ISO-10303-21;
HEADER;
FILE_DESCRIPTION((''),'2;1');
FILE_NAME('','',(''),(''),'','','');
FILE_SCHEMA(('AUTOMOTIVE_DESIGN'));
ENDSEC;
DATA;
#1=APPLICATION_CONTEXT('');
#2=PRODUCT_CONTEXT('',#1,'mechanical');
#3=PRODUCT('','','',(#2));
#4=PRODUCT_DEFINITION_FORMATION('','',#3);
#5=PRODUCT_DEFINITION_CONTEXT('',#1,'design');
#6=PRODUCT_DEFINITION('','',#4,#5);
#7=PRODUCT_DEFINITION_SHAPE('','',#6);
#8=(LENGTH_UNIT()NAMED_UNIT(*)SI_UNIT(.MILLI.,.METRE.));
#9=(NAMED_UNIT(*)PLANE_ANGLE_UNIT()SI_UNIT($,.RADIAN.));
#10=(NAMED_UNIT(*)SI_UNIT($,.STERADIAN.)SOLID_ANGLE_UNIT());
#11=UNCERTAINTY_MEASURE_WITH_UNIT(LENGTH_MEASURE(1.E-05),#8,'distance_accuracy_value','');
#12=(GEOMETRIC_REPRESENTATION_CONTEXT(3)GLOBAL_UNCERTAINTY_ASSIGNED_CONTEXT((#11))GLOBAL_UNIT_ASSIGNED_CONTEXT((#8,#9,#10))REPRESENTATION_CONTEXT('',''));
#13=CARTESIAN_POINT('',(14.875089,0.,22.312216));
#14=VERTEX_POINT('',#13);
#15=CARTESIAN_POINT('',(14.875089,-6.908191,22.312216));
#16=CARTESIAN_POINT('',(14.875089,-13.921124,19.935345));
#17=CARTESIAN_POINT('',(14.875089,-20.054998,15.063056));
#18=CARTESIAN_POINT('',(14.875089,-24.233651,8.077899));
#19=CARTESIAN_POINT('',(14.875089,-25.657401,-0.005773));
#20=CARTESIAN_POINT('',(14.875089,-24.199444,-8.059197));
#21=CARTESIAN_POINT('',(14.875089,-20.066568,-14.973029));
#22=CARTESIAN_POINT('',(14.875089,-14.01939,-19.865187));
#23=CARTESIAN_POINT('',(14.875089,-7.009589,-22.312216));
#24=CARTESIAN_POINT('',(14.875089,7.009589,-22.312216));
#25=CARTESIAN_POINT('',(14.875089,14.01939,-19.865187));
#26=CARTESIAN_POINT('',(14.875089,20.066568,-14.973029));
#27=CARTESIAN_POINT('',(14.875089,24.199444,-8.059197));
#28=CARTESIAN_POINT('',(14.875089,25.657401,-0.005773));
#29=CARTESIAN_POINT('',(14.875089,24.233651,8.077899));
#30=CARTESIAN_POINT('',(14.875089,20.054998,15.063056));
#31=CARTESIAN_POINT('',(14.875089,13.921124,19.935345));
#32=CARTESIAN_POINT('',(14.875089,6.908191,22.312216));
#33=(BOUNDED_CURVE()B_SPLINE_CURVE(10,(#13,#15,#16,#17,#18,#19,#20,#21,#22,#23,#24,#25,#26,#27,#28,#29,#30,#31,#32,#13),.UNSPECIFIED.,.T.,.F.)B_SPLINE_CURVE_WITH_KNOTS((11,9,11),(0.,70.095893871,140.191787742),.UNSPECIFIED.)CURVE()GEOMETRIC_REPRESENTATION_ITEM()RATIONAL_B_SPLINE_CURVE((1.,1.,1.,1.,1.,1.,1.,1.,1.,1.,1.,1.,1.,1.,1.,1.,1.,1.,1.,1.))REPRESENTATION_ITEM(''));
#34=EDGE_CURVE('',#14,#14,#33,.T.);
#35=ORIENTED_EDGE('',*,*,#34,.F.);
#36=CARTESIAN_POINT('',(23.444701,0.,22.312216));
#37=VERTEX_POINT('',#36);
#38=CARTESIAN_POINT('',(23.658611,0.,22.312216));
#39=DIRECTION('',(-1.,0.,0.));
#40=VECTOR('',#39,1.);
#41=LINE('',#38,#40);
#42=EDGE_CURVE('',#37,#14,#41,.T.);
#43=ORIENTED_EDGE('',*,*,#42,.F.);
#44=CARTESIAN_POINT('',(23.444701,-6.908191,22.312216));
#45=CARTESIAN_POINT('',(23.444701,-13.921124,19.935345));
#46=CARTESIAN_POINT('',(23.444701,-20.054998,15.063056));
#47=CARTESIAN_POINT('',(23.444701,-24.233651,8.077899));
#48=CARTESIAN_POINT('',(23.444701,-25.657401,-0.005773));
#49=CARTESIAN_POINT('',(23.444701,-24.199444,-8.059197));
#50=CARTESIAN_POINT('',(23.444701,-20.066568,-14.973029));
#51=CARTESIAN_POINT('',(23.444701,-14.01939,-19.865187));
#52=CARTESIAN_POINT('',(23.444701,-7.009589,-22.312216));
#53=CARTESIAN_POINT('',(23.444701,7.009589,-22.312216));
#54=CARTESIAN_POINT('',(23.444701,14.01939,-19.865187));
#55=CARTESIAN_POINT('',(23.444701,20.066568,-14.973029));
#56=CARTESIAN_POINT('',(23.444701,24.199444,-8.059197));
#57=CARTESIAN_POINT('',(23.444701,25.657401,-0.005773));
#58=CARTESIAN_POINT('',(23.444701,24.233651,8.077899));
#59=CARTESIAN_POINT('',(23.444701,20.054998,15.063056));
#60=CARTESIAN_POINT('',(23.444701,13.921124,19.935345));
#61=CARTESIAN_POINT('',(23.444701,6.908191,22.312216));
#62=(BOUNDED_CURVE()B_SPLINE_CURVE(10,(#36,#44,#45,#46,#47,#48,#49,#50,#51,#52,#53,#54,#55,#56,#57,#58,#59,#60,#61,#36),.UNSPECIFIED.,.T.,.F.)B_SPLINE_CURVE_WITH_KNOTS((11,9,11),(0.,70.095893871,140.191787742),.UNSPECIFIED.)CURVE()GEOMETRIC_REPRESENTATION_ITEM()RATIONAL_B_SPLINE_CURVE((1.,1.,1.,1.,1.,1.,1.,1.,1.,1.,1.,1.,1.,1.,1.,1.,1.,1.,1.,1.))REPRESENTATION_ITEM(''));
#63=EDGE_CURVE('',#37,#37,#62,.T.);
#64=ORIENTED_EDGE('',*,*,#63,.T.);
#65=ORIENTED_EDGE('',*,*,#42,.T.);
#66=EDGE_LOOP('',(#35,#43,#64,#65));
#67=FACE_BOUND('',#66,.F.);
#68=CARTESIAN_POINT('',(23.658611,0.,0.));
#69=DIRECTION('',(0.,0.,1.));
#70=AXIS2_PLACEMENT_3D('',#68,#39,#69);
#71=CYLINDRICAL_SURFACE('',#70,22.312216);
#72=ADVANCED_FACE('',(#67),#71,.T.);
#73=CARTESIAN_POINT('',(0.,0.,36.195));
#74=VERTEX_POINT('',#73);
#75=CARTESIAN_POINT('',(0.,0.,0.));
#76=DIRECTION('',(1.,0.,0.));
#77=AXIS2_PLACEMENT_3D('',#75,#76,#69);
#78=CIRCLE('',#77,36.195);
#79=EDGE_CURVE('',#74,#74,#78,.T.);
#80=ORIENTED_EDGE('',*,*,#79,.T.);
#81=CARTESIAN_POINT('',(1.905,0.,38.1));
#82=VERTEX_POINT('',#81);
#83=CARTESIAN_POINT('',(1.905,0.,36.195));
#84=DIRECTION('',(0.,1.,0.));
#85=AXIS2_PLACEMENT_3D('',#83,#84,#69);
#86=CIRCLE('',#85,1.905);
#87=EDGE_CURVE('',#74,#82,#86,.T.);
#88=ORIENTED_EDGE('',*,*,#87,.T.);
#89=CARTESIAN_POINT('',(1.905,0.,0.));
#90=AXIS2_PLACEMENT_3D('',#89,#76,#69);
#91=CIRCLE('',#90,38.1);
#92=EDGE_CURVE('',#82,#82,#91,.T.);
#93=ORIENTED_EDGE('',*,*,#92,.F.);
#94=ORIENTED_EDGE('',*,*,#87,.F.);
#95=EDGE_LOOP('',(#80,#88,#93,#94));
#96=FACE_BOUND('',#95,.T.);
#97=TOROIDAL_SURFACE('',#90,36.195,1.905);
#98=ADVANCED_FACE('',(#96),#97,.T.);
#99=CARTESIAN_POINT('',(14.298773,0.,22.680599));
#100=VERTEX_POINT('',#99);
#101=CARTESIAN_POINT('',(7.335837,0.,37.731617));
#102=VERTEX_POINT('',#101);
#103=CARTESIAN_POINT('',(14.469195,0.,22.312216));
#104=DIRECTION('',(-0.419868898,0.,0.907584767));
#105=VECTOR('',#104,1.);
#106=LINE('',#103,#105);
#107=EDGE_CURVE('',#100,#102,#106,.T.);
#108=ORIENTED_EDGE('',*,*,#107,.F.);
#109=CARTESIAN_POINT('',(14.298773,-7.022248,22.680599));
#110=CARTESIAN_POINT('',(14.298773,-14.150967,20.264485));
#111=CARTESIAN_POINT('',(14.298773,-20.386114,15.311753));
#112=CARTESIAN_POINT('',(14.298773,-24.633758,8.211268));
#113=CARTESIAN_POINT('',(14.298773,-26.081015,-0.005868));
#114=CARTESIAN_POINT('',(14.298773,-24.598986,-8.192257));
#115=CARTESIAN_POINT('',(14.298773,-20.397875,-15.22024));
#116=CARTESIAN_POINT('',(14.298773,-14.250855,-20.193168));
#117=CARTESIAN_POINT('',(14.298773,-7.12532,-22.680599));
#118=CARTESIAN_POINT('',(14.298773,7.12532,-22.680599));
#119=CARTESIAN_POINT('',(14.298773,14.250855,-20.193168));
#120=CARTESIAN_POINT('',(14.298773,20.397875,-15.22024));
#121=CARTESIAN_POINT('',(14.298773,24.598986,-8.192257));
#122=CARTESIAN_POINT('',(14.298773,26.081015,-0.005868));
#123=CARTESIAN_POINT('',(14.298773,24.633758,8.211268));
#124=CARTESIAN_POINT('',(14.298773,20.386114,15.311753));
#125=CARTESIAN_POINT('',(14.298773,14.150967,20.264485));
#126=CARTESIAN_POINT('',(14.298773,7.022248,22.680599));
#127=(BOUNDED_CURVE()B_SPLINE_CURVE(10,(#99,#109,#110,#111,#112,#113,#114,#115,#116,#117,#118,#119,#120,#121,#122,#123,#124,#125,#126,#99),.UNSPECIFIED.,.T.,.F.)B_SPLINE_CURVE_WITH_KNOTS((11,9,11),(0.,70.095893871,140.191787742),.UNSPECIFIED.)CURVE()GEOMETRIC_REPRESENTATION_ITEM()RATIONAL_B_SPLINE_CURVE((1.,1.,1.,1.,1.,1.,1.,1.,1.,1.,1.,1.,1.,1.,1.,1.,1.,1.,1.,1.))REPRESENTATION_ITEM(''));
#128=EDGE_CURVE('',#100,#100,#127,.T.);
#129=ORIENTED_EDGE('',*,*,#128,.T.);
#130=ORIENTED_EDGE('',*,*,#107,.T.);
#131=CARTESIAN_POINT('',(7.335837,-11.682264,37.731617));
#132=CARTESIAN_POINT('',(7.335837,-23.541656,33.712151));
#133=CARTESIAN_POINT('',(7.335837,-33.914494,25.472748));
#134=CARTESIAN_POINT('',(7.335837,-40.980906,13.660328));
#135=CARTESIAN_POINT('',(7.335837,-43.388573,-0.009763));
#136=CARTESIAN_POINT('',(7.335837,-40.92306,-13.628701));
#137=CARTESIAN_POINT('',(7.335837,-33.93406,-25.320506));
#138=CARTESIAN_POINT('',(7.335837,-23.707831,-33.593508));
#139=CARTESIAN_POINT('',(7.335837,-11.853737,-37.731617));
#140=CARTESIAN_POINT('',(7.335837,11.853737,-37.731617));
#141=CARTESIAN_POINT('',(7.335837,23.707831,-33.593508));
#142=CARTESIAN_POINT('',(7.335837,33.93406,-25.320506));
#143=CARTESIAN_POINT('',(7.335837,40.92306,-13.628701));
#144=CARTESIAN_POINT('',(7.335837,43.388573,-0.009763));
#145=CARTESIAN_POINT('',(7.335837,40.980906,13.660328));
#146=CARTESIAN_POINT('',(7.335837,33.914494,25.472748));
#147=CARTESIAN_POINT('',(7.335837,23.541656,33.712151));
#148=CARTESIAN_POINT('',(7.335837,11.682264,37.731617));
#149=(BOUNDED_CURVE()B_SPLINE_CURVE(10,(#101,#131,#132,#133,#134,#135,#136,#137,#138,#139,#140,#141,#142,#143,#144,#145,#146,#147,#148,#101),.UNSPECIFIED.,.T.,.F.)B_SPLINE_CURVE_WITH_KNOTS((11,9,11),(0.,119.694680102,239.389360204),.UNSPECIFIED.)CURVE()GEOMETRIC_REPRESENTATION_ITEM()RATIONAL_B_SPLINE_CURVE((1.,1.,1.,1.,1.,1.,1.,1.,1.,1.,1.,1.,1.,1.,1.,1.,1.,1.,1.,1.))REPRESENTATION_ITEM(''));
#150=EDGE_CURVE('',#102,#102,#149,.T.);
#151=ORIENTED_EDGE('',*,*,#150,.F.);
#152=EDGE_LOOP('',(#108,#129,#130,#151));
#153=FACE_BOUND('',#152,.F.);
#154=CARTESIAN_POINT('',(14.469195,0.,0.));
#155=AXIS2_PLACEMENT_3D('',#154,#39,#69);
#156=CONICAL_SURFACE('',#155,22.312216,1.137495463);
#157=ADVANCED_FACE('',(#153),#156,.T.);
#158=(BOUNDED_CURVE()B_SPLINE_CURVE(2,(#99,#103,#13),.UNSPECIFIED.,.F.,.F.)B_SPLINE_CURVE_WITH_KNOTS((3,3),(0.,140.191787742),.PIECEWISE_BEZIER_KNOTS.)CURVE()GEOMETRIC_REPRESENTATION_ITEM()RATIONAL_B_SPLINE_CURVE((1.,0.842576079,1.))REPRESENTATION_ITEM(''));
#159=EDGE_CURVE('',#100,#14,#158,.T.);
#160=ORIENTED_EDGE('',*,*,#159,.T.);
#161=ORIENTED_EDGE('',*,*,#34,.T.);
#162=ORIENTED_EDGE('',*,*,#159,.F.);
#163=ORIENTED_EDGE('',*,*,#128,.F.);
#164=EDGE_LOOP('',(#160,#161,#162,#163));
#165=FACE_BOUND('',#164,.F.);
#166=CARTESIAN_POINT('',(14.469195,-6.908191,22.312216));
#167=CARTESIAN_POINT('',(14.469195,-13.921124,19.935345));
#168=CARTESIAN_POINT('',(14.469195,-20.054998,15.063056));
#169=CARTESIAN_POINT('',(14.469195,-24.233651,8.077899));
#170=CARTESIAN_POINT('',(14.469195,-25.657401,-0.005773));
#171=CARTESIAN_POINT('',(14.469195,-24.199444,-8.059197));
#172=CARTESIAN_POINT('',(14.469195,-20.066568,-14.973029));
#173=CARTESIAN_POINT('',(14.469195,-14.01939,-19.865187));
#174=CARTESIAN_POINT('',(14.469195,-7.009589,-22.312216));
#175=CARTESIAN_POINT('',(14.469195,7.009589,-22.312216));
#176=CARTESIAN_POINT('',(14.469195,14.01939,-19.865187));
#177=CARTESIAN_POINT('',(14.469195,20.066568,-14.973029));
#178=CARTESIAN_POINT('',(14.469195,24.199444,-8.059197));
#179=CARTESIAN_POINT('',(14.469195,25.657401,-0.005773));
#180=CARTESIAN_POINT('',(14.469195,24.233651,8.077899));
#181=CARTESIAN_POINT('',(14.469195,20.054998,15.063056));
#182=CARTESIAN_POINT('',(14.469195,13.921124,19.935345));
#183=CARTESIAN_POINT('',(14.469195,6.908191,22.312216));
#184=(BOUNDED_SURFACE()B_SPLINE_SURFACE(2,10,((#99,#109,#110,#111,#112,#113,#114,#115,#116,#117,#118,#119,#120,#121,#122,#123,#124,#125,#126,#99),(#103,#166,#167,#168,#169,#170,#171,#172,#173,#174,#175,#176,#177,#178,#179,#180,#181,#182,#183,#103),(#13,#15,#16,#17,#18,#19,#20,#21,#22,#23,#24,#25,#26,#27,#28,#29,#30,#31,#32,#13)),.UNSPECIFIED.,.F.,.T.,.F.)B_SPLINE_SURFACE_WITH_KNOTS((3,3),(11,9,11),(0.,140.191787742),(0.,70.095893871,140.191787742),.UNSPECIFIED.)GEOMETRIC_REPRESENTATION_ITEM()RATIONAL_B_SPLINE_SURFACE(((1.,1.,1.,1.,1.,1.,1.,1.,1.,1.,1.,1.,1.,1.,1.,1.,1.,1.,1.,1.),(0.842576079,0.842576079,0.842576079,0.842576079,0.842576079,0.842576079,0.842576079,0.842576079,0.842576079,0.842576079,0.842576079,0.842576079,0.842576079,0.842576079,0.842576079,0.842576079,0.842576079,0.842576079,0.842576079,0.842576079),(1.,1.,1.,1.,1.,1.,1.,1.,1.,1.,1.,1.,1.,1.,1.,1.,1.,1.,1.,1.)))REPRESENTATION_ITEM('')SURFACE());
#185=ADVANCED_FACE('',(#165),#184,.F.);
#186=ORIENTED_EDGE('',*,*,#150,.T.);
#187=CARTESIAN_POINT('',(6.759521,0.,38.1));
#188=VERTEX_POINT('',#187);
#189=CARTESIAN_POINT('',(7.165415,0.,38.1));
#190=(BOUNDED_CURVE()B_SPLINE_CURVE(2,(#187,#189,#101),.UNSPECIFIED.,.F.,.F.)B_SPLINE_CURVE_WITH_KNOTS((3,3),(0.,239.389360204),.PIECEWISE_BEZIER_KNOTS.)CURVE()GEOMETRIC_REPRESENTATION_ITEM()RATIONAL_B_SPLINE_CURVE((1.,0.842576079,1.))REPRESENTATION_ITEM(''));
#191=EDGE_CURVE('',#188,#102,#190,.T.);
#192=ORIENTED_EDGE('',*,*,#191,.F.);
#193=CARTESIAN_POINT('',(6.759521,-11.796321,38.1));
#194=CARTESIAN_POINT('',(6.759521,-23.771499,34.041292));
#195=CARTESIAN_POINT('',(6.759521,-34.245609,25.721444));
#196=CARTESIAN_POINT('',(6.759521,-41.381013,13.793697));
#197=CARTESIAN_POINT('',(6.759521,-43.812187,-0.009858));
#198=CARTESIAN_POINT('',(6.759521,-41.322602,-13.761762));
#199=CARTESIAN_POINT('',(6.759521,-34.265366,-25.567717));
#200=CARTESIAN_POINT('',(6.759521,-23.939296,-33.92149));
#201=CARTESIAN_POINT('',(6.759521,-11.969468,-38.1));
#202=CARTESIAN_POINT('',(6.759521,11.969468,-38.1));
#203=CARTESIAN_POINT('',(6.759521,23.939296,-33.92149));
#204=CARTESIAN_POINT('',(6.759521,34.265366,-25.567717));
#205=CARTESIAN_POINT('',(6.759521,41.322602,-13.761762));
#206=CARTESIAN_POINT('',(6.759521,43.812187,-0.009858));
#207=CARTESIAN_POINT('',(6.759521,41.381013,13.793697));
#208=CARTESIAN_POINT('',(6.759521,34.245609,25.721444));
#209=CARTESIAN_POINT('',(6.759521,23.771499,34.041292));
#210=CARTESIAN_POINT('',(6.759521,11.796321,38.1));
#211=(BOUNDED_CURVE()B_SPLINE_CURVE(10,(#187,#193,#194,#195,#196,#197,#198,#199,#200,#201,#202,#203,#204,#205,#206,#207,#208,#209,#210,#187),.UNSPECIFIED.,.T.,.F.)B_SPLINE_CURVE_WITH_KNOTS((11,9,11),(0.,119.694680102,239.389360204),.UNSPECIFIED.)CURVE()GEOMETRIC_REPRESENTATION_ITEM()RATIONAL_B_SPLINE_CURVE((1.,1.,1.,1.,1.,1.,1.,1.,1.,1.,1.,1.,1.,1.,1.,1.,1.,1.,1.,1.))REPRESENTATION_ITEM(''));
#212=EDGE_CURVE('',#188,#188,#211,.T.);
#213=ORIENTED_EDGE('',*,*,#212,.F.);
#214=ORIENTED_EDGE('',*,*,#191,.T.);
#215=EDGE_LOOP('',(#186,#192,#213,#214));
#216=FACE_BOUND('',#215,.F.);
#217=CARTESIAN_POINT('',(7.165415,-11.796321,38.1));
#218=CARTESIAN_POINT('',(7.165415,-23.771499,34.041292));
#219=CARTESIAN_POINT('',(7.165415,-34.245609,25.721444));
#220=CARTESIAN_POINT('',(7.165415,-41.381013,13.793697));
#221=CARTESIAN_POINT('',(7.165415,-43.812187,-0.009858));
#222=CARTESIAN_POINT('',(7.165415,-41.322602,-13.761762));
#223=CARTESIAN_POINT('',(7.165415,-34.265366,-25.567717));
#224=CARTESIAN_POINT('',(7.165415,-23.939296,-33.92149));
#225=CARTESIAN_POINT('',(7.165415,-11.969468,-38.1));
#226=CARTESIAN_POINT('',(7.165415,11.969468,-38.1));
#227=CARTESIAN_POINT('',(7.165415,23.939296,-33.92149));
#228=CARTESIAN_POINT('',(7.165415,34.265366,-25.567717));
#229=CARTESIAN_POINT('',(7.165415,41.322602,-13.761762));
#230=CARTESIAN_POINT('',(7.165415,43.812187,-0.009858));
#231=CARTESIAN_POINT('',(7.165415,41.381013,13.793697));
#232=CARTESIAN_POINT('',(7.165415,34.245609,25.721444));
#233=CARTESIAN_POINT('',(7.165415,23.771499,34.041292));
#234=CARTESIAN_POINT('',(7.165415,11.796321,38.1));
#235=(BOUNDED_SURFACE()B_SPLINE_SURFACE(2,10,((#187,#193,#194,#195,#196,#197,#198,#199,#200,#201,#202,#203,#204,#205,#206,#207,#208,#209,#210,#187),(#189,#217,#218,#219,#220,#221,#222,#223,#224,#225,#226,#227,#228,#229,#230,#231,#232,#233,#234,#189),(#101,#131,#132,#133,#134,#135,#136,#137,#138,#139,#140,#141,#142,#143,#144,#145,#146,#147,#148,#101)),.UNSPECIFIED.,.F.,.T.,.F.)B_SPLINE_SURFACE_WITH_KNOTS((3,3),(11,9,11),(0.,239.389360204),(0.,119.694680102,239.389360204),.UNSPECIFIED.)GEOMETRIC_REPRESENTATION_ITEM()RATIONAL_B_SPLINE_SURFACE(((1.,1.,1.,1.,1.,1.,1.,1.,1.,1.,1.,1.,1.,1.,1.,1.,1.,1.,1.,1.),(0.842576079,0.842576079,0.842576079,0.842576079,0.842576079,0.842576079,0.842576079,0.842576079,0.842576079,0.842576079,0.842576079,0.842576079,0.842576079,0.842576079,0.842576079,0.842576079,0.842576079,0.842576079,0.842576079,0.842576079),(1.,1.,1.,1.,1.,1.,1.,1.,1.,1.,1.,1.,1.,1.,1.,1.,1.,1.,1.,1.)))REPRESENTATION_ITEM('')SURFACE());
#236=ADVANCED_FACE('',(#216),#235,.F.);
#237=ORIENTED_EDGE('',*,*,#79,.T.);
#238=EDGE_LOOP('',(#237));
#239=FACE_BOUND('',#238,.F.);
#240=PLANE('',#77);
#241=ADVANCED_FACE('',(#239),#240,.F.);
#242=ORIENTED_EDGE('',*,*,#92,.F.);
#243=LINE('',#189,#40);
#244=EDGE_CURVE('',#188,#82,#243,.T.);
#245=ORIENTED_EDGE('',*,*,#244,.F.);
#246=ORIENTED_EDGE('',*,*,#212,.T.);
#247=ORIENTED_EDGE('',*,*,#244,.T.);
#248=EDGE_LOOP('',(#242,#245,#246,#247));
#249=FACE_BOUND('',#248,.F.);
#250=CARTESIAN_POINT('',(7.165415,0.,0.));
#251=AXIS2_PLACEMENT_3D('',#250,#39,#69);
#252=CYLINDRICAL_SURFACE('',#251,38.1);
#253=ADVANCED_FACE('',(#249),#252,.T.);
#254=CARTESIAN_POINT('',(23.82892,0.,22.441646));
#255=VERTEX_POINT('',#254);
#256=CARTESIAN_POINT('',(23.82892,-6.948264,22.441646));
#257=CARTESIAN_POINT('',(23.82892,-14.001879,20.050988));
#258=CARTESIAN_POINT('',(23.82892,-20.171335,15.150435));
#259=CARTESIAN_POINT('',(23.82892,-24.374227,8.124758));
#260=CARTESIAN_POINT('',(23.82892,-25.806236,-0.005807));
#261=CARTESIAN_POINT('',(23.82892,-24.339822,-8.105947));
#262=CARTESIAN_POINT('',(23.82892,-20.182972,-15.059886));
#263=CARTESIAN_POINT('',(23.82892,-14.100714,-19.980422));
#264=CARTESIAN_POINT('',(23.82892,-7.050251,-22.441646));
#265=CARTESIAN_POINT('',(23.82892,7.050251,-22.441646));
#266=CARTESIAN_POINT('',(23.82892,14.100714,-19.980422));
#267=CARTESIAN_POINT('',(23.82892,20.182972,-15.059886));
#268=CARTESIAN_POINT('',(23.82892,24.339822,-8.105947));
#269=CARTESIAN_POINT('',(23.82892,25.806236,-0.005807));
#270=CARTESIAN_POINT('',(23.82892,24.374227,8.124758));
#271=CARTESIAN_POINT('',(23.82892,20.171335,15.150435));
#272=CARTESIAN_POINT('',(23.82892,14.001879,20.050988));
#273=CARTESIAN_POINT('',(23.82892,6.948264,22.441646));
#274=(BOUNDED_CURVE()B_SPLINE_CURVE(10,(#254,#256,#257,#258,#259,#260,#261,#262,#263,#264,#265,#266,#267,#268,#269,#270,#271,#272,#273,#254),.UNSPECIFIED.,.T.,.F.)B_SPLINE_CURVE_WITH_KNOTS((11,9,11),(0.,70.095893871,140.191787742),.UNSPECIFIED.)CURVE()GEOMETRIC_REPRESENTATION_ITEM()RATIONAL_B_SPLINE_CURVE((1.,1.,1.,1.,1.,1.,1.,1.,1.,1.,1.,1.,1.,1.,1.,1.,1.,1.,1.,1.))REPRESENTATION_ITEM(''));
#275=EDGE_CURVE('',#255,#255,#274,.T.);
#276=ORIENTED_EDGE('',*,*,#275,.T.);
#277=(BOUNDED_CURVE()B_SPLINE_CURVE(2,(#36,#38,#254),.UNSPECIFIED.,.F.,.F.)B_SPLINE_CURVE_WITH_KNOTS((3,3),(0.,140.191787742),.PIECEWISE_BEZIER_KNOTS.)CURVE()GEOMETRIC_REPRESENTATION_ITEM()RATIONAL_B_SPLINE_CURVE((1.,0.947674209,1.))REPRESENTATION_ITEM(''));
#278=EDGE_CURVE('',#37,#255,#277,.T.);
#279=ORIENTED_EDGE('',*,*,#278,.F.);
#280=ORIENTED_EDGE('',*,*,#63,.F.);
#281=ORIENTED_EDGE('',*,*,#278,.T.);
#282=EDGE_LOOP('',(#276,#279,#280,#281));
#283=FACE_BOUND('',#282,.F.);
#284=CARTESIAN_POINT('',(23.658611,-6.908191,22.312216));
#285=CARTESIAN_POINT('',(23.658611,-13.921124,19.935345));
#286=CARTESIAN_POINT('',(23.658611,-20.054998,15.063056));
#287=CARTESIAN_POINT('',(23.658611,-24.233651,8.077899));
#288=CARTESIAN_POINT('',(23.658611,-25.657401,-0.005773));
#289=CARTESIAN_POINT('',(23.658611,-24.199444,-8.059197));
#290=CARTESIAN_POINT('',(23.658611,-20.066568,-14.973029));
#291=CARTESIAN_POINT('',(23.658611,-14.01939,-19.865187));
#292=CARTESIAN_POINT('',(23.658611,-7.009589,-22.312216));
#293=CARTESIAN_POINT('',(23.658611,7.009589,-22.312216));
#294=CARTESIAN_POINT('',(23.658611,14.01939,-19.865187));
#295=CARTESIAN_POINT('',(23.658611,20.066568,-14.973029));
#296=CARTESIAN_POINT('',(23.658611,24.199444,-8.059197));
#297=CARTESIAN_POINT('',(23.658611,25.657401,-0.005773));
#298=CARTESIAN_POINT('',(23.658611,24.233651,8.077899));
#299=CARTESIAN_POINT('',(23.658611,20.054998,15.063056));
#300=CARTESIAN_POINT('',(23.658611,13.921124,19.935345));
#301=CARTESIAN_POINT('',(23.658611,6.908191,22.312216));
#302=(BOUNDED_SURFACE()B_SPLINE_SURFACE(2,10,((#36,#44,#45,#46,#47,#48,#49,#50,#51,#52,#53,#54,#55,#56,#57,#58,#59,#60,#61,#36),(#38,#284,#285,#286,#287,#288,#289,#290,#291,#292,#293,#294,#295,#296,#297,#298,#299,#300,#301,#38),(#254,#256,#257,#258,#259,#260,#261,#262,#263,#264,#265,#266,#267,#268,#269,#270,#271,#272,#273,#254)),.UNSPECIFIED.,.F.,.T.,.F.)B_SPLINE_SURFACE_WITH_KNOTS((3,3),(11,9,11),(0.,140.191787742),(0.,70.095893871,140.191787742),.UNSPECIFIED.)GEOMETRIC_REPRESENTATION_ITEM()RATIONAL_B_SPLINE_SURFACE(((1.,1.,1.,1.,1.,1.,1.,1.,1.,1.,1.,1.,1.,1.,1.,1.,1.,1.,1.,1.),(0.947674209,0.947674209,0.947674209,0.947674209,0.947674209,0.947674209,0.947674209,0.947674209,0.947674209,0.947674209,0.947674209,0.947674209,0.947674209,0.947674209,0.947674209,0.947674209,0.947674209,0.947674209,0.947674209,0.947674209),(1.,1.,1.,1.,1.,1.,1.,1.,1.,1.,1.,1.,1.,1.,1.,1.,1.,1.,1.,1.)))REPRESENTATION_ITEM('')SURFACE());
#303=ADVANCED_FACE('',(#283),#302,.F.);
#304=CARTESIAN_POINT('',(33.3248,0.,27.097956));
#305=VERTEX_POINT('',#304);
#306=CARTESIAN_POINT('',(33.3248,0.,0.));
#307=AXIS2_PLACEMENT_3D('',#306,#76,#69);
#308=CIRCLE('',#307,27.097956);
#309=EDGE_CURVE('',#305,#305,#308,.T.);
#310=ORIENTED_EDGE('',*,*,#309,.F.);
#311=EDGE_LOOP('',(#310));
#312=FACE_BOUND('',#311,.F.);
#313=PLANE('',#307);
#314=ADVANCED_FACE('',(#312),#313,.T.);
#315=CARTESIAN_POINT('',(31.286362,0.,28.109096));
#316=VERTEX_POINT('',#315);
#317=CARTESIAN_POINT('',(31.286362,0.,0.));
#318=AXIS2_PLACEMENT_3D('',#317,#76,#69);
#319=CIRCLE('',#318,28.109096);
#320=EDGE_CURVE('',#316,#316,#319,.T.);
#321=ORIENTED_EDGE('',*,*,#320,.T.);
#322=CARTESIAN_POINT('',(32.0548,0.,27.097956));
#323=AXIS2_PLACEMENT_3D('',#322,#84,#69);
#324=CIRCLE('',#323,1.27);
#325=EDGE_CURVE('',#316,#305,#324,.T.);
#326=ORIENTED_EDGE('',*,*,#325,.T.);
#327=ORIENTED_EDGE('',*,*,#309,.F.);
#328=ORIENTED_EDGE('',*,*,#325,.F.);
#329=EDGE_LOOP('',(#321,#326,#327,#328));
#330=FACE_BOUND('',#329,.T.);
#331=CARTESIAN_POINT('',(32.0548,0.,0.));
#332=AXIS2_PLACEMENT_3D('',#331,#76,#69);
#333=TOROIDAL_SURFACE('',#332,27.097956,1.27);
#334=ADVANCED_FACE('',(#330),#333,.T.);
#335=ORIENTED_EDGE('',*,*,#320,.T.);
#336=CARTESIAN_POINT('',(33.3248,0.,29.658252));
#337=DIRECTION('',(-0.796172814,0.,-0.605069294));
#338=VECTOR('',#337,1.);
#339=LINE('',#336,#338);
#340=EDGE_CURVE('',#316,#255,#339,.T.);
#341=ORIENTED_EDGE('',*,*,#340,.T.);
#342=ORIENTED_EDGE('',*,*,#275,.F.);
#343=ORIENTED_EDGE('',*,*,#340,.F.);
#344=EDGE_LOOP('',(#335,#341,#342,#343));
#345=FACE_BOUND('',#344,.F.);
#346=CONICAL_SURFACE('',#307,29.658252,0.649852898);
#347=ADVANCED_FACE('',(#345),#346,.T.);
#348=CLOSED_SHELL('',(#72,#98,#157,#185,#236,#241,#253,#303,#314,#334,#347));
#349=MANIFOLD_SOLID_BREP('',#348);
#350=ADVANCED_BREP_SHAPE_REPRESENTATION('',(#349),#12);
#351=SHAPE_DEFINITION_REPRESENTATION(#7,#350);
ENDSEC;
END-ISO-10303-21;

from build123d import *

# Parameters (mm, degrees)
F2_R = 1.905
F3_R = 0.635
F4_R = 1.27


with BuildPart() as f1:
    # F0 (on Front) → F1 (revolve)
    with BuildSketch(Plane.XZ):
        Polygon((0, 38.1), (0, 0), (33.3248, 0), (33.3248, 29.658252), (23.658611, 22.312216), (14.469195, 22.312216), (7.165415, 38.1), align=None)
    revolve(axis=Axis((16.6624, 0, 0), (1, 0, 0)))

    # F2
    f2_edges = [f1.edges().sort_by_distance(p)[0] for p in [
        (0, 0, -38.1),
    ]]
    fillet(f2_edges, radius=F2_R)

    # F3
    f3_edges = [f1.edges().sort_by_distance(p)[0] for p in [
        (7.165415, 0, -38.1),
        (14.469195, 0, -22.312216),
        (23.658611, 0, -22.312216),
    ]]
    fillet(f3_edges, radius=F3_R)

    # F4
    f4_edges = [f1.edges().sort_by_distance(p)[0] for p in [
        (33.3248, 0, -29.658252),
    ]]
    fillet(f4_edges, radius=F4_R)


solid = f1.part
